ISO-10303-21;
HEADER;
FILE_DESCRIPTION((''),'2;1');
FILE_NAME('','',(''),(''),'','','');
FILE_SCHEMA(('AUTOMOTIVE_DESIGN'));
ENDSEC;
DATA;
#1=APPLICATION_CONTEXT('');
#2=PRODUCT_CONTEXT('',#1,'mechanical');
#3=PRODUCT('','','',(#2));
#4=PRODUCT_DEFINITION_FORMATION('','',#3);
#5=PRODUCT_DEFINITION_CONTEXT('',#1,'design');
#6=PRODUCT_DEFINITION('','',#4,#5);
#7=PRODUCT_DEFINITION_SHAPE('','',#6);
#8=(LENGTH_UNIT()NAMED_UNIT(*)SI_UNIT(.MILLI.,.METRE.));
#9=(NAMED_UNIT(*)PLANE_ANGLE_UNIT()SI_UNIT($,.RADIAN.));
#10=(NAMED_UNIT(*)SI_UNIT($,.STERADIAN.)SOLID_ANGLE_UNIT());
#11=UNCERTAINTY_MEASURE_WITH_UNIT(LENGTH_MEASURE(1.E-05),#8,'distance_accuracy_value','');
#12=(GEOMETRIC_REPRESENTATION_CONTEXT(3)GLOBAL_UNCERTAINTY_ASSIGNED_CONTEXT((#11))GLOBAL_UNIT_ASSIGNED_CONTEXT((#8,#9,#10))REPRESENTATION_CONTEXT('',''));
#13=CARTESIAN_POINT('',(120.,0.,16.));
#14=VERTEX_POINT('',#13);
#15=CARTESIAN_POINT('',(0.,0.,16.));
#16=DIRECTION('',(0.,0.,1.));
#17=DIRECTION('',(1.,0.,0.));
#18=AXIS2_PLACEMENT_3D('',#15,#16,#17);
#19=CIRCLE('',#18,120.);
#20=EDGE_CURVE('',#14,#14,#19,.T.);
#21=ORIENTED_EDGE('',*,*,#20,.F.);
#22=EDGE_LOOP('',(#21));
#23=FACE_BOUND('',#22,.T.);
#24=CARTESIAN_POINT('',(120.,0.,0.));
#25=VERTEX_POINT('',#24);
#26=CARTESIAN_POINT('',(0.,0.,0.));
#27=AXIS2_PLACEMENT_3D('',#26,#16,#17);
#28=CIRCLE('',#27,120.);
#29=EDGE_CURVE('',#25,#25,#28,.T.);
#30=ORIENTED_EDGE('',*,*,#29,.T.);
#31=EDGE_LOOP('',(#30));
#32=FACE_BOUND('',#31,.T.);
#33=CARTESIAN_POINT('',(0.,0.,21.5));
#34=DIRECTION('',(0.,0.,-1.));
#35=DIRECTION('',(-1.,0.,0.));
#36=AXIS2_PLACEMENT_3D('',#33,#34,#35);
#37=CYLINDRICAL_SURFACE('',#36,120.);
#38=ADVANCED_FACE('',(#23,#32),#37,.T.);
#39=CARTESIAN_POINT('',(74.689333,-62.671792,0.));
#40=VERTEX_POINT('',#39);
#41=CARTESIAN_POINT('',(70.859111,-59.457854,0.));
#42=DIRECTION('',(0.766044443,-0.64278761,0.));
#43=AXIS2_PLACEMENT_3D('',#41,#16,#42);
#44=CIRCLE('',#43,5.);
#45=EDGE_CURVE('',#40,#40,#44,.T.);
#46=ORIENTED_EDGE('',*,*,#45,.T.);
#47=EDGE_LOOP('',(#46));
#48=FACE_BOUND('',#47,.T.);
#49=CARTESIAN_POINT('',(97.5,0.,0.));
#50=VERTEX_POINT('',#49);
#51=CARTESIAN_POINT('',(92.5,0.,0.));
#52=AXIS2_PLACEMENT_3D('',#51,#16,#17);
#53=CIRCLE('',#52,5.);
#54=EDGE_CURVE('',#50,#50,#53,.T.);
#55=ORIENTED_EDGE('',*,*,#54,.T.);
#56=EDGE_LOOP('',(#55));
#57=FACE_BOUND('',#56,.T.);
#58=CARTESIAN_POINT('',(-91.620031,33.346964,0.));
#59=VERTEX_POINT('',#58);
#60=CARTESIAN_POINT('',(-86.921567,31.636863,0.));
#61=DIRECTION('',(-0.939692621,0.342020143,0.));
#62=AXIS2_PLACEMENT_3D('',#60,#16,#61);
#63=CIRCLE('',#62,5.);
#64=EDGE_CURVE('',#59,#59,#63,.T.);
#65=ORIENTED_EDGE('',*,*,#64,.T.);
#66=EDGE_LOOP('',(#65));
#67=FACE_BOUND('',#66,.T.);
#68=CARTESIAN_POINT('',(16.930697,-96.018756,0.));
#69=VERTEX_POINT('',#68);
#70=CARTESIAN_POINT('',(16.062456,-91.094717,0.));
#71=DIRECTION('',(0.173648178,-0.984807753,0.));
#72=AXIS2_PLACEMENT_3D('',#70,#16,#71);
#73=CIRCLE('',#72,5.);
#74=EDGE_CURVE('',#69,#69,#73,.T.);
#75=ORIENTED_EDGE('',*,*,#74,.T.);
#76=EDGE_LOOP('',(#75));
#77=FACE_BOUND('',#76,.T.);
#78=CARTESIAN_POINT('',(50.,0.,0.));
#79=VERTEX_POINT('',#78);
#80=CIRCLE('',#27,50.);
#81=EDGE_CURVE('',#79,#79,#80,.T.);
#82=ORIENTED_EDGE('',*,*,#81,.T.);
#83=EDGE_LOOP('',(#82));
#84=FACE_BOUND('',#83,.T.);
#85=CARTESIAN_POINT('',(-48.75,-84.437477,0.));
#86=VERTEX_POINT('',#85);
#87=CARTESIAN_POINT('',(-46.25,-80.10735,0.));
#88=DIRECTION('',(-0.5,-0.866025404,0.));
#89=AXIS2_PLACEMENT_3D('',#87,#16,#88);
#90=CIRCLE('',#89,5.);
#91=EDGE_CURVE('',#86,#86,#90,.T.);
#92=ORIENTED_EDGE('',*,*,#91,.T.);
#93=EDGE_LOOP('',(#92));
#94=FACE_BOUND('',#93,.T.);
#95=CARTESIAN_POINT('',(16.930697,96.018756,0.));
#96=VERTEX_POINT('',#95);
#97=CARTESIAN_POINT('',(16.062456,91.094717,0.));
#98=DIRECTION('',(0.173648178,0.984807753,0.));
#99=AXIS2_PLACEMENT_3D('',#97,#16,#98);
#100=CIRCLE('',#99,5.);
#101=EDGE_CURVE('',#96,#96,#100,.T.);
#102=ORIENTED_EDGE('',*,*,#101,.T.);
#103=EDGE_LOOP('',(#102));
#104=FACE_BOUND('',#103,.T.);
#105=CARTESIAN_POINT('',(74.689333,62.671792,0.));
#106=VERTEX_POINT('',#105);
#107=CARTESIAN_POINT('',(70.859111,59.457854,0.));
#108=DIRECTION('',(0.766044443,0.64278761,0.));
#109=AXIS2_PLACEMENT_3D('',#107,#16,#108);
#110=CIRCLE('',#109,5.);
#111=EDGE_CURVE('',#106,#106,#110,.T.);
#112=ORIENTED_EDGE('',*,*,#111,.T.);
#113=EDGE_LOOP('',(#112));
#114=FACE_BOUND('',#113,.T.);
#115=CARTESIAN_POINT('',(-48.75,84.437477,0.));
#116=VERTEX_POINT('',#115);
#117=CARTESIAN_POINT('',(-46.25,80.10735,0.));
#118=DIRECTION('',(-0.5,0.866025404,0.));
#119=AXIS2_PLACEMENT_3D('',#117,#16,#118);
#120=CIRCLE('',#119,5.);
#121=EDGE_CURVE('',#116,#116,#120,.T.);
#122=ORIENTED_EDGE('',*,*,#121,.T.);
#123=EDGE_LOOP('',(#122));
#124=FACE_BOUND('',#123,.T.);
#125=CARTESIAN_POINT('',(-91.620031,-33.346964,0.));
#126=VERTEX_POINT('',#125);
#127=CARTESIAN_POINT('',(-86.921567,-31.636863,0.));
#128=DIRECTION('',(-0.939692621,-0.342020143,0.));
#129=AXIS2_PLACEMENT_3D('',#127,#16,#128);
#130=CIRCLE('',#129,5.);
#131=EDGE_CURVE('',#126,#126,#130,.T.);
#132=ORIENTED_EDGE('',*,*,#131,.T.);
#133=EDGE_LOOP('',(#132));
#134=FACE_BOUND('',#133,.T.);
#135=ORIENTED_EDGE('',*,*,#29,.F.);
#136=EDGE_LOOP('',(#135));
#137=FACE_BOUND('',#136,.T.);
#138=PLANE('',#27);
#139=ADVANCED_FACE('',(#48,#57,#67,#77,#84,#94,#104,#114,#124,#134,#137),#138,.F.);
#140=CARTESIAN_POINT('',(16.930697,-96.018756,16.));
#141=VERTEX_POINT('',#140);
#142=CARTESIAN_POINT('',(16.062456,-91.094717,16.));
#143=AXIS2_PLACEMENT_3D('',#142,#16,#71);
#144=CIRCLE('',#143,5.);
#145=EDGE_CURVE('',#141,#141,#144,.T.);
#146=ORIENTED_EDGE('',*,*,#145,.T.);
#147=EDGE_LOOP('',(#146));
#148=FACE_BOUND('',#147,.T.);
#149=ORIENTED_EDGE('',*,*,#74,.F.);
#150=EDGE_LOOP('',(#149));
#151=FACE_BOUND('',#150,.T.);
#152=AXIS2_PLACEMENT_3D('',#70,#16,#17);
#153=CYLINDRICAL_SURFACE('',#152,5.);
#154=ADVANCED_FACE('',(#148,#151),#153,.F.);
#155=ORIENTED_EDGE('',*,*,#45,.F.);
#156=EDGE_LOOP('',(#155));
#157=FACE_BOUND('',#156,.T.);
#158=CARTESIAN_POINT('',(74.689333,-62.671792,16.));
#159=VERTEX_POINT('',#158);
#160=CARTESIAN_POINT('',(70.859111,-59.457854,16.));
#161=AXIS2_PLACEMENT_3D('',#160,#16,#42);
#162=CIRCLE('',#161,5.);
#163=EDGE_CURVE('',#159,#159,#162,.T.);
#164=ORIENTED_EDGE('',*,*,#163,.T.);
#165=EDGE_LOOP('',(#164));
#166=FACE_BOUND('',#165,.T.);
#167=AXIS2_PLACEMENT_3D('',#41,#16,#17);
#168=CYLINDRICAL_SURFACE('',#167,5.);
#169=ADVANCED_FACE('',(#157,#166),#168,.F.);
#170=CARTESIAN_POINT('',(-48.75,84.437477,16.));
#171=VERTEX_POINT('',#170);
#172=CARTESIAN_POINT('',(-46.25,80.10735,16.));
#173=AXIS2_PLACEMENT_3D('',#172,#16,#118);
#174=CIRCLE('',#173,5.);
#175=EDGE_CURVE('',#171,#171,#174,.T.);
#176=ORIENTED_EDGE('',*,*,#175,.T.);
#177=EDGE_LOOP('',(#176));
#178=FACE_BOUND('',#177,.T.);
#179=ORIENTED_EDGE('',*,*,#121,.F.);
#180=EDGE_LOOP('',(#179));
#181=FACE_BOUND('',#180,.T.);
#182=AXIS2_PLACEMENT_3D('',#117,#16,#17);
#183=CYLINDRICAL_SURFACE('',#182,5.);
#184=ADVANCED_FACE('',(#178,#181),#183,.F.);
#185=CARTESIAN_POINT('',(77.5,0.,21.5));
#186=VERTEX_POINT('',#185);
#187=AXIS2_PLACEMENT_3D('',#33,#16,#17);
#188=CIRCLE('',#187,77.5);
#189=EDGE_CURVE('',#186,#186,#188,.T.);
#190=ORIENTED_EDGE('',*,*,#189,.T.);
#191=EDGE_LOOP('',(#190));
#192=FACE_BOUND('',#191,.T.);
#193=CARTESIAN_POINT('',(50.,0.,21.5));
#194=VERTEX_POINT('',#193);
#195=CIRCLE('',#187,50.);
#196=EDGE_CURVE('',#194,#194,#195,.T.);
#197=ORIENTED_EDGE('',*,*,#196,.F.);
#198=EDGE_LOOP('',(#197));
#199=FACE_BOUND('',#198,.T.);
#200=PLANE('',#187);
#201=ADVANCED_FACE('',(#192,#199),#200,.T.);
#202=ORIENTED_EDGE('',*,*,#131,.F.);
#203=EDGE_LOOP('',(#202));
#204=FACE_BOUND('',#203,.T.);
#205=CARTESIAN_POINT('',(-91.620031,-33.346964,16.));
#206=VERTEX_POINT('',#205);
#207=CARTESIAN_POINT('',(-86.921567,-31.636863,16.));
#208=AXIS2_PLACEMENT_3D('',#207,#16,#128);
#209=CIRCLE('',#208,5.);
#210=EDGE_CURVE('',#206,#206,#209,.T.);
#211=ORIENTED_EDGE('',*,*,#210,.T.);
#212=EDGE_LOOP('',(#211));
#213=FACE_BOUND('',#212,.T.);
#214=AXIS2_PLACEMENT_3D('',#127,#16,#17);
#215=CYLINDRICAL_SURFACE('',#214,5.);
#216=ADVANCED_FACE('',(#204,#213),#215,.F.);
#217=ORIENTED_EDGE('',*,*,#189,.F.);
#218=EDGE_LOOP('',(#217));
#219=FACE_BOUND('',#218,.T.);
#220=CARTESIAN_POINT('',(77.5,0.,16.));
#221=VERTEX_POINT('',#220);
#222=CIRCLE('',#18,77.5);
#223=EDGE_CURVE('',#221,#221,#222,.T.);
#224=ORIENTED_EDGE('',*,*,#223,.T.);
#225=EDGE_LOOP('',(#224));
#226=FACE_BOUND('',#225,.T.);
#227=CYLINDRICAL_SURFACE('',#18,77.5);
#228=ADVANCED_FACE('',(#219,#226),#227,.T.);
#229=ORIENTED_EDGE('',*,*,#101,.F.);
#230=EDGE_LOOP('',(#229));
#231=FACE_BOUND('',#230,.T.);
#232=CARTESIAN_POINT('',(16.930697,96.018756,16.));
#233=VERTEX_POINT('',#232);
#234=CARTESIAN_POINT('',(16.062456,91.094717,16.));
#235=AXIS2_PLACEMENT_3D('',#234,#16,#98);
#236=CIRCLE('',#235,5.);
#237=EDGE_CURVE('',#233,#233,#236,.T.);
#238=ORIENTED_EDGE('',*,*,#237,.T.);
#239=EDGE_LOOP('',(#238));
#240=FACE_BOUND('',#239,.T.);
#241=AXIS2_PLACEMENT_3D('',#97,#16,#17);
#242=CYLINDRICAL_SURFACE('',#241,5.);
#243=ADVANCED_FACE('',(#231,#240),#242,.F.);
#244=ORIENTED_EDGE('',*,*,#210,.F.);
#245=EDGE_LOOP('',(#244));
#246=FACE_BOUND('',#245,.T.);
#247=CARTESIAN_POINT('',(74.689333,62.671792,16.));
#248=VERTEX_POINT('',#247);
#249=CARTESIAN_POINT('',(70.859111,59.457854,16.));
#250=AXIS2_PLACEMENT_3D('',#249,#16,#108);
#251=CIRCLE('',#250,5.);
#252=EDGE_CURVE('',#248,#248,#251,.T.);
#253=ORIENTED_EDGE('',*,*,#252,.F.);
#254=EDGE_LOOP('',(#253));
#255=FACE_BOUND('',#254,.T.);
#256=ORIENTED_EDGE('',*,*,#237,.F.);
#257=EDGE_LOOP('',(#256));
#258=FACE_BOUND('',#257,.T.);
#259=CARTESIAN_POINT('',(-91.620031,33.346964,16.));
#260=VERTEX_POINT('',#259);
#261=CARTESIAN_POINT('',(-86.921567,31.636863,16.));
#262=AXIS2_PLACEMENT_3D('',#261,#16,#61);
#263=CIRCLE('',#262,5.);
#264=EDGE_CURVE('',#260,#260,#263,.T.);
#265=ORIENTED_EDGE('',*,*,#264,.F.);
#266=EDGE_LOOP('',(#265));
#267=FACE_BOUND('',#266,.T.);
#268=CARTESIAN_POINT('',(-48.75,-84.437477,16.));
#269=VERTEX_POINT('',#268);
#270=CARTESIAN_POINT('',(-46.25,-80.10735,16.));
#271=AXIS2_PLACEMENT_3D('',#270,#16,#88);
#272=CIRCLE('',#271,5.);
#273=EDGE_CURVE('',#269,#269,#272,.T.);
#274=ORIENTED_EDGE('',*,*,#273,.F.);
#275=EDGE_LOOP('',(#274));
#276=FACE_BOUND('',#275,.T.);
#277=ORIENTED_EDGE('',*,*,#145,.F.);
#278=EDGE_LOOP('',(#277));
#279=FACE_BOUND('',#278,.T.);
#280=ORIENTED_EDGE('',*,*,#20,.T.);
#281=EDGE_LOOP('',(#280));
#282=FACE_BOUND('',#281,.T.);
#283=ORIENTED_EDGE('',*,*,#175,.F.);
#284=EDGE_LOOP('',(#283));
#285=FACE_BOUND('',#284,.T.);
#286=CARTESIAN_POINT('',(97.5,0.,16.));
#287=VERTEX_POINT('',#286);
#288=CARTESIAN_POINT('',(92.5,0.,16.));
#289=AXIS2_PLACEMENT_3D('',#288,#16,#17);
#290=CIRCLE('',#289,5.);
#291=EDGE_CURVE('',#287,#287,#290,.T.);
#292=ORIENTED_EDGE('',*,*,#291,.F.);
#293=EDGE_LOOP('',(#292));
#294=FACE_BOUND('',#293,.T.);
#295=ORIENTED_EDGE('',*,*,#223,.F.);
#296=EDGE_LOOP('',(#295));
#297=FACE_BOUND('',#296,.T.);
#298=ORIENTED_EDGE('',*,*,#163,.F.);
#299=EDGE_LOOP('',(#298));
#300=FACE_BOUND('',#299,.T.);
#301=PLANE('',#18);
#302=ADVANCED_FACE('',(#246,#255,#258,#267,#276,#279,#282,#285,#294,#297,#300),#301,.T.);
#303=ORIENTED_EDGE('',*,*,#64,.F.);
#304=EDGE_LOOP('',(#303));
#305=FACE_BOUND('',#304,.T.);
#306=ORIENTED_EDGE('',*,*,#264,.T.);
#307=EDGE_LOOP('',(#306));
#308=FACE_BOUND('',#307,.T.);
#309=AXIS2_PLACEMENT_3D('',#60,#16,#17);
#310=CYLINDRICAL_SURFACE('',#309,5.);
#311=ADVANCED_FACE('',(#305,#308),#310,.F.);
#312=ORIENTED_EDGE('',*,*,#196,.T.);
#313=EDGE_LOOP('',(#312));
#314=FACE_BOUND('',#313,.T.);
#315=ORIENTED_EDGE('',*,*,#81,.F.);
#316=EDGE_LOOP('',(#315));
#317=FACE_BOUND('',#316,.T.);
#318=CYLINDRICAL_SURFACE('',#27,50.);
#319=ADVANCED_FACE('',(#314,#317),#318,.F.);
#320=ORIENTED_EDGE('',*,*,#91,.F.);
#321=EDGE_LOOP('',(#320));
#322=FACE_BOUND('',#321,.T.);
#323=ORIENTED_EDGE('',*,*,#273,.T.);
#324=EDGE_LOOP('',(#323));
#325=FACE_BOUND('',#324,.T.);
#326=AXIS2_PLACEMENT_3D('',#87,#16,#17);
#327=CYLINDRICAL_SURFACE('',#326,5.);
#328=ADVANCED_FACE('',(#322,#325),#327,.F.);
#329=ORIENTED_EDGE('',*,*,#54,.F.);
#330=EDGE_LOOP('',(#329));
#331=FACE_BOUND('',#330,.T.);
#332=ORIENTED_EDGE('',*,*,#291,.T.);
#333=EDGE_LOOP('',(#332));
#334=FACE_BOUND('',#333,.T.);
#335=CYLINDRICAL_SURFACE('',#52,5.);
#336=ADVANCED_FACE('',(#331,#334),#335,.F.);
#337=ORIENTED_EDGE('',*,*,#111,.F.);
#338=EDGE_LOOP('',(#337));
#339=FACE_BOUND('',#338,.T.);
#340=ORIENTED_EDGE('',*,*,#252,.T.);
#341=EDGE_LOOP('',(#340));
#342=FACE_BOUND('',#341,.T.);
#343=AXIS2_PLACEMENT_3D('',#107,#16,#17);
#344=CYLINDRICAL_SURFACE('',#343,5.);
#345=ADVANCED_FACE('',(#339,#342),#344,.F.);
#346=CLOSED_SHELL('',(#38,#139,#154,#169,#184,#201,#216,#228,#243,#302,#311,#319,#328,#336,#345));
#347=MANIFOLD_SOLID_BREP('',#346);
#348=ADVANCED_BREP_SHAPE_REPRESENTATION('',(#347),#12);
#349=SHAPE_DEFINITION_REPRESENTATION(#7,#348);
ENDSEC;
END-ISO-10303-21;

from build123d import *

# Parameters (mm, degrees)
SKETCH1_R           = 120
BOSS_EXTRUDE1_DEPTH = 21.5
SKETCH2_OUTSIDE_W   = 310.018
SKETCH2_OUTSIDE_H   = 310.018
SKETCH2_OUTSIDE_R   = 77.5
CUT_EXTRUDE1_DEPTH  = 5.5
SKETCH3_R           = 5
CUT_EXTRUDE2_DEPTH  = 171.458206021
CIRPATTERN1_COUNT   = 9
SKETCH4_R           = 50
CUT_EXTRUDE3_DEPTH  = 172.062123218


with BuildPart() as part:
    # Sketch1 → Boss-Extrude1 (new body)
    with BuildSketch(Plane.XY):
        Circle(SKETCH1_R)
    extrude(amount=BOSS_EXTRUDE1_DEPTH)

    # Sketch2 outside → Cut-Extrude1 (cut)
    with BuildSketch(Plane.XY.offset(21.5)):
        Rectangle(SKETCH2_OUTSIDE_W, SKETCH2_OUTSIDE_H)
        Circle(SKETCH2_OUTSIDE_R, mode=Mode.SUBTRACT)
    extrude(amount=-CUT_EXTRUDE1_DEPTH, mode=Mode.SUBTRACT)

    # Sketch3 → Cut-Extrude2 (cut, through all)
    with BuildSketch(Plane.XY.offset(16)):
        with Locations((92.5, 0)):
            Circle(SKETCH3_R)
    cut_extrude2 = extrude(amount=-CUT_EXTRUDE2_DEPTH, mode=Mode.SUBTRACT)

    # CirPattern1: Cut-Extrude2 ×9 about axis
    cirpattern1_axis = Axis((0, 0, 0), (0, 0, 1))
    for i in range(1, CIRPATTERN1_COUNT):
        add(cut_extrude2.rotate(cirpattern1_axis, i * 360 / CIRPATTERN1_COUNT), mode=Mode.SUBTRACT)

    # Sketch4 → Cut-Extrude3 (cut, through all)
    with BuildSketch(Plane.XY.offset(21.5)):
        Circle(SKETCH4_R)
    extrude(amount=-CUT_EXTRUDE3_DEPTH, mode=Mode.SUBTRACT)


solid = part.part
